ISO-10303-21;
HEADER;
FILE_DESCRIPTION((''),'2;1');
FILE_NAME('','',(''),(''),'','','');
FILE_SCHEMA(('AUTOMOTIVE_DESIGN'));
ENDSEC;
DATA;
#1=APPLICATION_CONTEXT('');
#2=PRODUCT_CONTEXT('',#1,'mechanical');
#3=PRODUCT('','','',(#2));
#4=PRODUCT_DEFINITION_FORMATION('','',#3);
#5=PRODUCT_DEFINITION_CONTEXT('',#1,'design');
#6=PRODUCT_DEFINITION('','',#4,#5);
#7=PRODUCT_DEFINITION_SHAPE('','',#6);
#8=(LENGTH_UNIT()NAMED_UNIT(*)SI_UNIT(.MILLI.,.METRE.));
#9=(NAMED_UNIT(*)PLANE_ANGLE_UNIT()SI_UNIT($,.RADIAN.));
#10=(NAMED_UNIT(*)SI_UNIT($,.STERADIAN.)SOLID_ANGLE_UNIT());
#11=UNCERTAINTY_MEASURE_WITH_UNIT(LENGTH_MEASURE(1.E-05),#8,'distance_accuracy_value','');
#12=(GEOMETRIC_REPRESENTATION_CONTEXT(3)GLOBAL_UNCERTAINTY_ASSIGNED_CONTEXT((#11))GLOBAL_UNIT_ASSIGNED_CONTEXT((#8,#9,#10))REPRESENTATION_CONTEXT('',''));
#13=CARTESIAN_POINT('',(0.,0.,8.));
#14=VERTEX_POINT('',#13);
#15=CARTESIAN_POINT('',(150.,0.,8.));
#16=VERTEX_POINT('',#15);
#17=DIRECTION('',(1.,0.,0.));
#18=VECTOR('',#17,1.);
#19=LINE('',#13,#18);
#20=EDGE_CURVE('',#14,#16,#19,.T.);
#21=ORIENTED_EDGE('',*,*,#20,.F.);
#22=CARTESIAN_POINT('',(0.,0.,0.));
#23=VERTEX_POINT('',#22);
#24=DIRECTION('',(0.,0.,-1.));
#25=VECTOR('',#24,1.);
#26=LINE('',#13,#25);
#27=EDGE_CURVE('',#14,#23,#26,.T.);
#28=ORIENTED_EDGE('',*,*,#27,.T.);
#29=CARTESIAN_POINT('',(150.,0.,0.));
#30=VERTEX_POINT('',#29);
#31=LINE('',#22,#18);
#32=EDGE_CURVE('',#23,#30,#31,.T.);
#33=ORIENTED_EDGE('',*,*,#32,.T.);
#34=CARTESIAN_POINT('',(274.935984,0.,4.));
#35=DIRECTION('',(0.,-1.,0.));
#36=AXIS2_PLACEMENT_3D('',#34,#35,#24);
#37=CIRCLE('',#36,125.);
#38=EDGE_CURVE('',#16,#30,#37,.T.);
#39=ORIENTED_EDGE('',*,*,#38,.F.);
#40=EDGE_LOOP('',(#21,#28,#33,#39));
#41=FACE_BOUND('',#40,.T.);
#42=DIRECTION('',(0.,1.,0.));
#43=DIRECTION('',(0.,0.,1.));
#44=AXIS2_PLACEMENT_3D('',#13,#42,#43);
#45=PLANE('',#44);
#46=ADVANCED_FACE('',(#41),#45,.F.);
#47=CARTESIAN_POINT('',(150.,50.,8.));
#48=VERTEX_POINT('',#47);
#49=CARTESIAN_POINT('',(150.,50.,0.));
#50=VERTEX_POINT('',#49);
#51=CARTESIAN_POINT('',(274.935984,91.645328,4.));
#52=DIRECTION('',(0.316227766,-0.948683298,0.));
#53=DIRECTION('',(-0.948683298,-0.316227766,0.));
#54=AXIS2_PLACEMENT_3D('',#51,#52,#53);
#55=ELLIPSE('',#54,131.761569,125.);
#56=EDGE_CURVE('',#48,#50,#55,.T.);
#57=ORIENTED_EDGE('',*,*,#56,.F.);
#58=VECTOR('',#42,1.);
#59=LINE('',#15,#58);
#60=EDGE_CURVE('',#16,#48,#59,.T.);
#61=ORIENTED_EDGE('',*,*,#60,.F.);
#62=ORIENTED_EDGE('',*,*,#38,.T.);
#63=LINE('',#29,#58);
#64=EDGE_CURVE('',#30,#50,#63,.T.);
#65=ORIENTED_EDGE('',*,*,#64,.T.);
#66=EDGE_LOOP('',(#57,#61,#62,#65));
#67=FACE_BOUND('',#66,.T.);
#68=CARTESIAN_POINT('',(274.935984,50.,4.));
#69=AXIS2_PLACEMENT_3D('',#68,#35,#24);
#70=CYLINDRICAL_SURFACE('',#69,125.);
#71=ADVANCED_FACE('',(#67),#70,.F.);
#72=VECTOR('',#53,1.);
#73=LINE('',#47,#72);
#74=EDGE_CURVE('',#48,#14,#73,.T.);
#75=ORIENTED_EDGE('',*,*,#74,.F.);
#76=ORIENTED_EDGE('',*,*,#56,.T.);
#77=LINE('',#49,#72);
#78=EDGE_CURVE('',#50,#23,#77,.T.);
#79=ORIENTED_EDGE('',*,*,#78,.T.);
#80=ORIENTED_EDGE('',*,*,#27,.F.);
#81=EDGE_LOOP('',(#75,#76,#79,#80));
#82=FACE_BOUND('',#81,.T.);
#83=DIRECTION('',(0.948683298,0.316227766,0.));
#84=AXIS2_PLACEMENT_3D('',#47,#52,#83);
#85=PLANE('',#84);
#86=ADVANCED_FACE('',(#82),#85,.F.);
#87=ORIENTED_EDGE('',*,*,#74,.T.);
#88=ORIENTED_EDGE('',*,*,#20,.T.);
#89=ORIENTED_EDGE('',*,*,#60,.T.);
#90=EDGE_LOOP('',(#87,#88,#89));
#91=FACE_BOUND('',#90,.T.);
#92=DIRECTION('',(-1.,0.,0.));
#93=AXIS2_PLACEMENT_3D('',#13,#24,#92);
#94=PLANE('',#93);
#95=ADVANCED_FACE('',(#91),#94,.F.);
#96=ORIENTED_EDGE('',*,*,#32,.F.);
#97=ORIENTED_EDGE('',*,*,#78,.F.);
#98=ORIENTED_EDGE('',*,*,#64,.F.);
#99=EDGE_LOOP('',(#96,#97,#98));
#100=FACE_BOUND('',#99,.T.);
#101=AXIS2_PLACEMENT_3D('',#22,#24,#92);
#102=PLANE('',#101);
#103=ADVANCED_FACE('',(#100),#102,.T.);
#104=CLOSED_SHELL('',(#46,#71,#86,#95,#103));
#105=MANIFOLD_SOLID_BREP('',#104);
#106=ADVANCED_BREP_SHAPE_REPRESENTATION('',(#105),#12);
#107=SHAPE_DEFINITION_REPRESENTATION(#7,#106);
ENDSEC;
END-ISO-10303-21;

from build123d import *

# Parameters (mm, degrees)
BOSS_EXTRUDE1_DEPTH = 8
SKETCH2_R           = 125
CUT_EXTRUDE1_DEPTH  = 51


with BuildPart() as part:
    # Sketch1 → Boss-Extrude1 (new body)
    with BuildSketch(Plane.XY):
        Polygon((0, 0), (150, 0), (150, 50), align=None)
    extrude(amount=BOSS_EXTRUDE1_DEPTH)

    # Sketch2 → Cut-Extrude1 (cut, through all)
    with BuildSketch(Plane.XZ):
        with Locations((274.935983608, 4)):
            Circle(SKETCH2_R)
    extrude(amount=-CUT_EXTRUDE1_DEPTH, mode=Mode.SUBTRACT)


solid = part.part
